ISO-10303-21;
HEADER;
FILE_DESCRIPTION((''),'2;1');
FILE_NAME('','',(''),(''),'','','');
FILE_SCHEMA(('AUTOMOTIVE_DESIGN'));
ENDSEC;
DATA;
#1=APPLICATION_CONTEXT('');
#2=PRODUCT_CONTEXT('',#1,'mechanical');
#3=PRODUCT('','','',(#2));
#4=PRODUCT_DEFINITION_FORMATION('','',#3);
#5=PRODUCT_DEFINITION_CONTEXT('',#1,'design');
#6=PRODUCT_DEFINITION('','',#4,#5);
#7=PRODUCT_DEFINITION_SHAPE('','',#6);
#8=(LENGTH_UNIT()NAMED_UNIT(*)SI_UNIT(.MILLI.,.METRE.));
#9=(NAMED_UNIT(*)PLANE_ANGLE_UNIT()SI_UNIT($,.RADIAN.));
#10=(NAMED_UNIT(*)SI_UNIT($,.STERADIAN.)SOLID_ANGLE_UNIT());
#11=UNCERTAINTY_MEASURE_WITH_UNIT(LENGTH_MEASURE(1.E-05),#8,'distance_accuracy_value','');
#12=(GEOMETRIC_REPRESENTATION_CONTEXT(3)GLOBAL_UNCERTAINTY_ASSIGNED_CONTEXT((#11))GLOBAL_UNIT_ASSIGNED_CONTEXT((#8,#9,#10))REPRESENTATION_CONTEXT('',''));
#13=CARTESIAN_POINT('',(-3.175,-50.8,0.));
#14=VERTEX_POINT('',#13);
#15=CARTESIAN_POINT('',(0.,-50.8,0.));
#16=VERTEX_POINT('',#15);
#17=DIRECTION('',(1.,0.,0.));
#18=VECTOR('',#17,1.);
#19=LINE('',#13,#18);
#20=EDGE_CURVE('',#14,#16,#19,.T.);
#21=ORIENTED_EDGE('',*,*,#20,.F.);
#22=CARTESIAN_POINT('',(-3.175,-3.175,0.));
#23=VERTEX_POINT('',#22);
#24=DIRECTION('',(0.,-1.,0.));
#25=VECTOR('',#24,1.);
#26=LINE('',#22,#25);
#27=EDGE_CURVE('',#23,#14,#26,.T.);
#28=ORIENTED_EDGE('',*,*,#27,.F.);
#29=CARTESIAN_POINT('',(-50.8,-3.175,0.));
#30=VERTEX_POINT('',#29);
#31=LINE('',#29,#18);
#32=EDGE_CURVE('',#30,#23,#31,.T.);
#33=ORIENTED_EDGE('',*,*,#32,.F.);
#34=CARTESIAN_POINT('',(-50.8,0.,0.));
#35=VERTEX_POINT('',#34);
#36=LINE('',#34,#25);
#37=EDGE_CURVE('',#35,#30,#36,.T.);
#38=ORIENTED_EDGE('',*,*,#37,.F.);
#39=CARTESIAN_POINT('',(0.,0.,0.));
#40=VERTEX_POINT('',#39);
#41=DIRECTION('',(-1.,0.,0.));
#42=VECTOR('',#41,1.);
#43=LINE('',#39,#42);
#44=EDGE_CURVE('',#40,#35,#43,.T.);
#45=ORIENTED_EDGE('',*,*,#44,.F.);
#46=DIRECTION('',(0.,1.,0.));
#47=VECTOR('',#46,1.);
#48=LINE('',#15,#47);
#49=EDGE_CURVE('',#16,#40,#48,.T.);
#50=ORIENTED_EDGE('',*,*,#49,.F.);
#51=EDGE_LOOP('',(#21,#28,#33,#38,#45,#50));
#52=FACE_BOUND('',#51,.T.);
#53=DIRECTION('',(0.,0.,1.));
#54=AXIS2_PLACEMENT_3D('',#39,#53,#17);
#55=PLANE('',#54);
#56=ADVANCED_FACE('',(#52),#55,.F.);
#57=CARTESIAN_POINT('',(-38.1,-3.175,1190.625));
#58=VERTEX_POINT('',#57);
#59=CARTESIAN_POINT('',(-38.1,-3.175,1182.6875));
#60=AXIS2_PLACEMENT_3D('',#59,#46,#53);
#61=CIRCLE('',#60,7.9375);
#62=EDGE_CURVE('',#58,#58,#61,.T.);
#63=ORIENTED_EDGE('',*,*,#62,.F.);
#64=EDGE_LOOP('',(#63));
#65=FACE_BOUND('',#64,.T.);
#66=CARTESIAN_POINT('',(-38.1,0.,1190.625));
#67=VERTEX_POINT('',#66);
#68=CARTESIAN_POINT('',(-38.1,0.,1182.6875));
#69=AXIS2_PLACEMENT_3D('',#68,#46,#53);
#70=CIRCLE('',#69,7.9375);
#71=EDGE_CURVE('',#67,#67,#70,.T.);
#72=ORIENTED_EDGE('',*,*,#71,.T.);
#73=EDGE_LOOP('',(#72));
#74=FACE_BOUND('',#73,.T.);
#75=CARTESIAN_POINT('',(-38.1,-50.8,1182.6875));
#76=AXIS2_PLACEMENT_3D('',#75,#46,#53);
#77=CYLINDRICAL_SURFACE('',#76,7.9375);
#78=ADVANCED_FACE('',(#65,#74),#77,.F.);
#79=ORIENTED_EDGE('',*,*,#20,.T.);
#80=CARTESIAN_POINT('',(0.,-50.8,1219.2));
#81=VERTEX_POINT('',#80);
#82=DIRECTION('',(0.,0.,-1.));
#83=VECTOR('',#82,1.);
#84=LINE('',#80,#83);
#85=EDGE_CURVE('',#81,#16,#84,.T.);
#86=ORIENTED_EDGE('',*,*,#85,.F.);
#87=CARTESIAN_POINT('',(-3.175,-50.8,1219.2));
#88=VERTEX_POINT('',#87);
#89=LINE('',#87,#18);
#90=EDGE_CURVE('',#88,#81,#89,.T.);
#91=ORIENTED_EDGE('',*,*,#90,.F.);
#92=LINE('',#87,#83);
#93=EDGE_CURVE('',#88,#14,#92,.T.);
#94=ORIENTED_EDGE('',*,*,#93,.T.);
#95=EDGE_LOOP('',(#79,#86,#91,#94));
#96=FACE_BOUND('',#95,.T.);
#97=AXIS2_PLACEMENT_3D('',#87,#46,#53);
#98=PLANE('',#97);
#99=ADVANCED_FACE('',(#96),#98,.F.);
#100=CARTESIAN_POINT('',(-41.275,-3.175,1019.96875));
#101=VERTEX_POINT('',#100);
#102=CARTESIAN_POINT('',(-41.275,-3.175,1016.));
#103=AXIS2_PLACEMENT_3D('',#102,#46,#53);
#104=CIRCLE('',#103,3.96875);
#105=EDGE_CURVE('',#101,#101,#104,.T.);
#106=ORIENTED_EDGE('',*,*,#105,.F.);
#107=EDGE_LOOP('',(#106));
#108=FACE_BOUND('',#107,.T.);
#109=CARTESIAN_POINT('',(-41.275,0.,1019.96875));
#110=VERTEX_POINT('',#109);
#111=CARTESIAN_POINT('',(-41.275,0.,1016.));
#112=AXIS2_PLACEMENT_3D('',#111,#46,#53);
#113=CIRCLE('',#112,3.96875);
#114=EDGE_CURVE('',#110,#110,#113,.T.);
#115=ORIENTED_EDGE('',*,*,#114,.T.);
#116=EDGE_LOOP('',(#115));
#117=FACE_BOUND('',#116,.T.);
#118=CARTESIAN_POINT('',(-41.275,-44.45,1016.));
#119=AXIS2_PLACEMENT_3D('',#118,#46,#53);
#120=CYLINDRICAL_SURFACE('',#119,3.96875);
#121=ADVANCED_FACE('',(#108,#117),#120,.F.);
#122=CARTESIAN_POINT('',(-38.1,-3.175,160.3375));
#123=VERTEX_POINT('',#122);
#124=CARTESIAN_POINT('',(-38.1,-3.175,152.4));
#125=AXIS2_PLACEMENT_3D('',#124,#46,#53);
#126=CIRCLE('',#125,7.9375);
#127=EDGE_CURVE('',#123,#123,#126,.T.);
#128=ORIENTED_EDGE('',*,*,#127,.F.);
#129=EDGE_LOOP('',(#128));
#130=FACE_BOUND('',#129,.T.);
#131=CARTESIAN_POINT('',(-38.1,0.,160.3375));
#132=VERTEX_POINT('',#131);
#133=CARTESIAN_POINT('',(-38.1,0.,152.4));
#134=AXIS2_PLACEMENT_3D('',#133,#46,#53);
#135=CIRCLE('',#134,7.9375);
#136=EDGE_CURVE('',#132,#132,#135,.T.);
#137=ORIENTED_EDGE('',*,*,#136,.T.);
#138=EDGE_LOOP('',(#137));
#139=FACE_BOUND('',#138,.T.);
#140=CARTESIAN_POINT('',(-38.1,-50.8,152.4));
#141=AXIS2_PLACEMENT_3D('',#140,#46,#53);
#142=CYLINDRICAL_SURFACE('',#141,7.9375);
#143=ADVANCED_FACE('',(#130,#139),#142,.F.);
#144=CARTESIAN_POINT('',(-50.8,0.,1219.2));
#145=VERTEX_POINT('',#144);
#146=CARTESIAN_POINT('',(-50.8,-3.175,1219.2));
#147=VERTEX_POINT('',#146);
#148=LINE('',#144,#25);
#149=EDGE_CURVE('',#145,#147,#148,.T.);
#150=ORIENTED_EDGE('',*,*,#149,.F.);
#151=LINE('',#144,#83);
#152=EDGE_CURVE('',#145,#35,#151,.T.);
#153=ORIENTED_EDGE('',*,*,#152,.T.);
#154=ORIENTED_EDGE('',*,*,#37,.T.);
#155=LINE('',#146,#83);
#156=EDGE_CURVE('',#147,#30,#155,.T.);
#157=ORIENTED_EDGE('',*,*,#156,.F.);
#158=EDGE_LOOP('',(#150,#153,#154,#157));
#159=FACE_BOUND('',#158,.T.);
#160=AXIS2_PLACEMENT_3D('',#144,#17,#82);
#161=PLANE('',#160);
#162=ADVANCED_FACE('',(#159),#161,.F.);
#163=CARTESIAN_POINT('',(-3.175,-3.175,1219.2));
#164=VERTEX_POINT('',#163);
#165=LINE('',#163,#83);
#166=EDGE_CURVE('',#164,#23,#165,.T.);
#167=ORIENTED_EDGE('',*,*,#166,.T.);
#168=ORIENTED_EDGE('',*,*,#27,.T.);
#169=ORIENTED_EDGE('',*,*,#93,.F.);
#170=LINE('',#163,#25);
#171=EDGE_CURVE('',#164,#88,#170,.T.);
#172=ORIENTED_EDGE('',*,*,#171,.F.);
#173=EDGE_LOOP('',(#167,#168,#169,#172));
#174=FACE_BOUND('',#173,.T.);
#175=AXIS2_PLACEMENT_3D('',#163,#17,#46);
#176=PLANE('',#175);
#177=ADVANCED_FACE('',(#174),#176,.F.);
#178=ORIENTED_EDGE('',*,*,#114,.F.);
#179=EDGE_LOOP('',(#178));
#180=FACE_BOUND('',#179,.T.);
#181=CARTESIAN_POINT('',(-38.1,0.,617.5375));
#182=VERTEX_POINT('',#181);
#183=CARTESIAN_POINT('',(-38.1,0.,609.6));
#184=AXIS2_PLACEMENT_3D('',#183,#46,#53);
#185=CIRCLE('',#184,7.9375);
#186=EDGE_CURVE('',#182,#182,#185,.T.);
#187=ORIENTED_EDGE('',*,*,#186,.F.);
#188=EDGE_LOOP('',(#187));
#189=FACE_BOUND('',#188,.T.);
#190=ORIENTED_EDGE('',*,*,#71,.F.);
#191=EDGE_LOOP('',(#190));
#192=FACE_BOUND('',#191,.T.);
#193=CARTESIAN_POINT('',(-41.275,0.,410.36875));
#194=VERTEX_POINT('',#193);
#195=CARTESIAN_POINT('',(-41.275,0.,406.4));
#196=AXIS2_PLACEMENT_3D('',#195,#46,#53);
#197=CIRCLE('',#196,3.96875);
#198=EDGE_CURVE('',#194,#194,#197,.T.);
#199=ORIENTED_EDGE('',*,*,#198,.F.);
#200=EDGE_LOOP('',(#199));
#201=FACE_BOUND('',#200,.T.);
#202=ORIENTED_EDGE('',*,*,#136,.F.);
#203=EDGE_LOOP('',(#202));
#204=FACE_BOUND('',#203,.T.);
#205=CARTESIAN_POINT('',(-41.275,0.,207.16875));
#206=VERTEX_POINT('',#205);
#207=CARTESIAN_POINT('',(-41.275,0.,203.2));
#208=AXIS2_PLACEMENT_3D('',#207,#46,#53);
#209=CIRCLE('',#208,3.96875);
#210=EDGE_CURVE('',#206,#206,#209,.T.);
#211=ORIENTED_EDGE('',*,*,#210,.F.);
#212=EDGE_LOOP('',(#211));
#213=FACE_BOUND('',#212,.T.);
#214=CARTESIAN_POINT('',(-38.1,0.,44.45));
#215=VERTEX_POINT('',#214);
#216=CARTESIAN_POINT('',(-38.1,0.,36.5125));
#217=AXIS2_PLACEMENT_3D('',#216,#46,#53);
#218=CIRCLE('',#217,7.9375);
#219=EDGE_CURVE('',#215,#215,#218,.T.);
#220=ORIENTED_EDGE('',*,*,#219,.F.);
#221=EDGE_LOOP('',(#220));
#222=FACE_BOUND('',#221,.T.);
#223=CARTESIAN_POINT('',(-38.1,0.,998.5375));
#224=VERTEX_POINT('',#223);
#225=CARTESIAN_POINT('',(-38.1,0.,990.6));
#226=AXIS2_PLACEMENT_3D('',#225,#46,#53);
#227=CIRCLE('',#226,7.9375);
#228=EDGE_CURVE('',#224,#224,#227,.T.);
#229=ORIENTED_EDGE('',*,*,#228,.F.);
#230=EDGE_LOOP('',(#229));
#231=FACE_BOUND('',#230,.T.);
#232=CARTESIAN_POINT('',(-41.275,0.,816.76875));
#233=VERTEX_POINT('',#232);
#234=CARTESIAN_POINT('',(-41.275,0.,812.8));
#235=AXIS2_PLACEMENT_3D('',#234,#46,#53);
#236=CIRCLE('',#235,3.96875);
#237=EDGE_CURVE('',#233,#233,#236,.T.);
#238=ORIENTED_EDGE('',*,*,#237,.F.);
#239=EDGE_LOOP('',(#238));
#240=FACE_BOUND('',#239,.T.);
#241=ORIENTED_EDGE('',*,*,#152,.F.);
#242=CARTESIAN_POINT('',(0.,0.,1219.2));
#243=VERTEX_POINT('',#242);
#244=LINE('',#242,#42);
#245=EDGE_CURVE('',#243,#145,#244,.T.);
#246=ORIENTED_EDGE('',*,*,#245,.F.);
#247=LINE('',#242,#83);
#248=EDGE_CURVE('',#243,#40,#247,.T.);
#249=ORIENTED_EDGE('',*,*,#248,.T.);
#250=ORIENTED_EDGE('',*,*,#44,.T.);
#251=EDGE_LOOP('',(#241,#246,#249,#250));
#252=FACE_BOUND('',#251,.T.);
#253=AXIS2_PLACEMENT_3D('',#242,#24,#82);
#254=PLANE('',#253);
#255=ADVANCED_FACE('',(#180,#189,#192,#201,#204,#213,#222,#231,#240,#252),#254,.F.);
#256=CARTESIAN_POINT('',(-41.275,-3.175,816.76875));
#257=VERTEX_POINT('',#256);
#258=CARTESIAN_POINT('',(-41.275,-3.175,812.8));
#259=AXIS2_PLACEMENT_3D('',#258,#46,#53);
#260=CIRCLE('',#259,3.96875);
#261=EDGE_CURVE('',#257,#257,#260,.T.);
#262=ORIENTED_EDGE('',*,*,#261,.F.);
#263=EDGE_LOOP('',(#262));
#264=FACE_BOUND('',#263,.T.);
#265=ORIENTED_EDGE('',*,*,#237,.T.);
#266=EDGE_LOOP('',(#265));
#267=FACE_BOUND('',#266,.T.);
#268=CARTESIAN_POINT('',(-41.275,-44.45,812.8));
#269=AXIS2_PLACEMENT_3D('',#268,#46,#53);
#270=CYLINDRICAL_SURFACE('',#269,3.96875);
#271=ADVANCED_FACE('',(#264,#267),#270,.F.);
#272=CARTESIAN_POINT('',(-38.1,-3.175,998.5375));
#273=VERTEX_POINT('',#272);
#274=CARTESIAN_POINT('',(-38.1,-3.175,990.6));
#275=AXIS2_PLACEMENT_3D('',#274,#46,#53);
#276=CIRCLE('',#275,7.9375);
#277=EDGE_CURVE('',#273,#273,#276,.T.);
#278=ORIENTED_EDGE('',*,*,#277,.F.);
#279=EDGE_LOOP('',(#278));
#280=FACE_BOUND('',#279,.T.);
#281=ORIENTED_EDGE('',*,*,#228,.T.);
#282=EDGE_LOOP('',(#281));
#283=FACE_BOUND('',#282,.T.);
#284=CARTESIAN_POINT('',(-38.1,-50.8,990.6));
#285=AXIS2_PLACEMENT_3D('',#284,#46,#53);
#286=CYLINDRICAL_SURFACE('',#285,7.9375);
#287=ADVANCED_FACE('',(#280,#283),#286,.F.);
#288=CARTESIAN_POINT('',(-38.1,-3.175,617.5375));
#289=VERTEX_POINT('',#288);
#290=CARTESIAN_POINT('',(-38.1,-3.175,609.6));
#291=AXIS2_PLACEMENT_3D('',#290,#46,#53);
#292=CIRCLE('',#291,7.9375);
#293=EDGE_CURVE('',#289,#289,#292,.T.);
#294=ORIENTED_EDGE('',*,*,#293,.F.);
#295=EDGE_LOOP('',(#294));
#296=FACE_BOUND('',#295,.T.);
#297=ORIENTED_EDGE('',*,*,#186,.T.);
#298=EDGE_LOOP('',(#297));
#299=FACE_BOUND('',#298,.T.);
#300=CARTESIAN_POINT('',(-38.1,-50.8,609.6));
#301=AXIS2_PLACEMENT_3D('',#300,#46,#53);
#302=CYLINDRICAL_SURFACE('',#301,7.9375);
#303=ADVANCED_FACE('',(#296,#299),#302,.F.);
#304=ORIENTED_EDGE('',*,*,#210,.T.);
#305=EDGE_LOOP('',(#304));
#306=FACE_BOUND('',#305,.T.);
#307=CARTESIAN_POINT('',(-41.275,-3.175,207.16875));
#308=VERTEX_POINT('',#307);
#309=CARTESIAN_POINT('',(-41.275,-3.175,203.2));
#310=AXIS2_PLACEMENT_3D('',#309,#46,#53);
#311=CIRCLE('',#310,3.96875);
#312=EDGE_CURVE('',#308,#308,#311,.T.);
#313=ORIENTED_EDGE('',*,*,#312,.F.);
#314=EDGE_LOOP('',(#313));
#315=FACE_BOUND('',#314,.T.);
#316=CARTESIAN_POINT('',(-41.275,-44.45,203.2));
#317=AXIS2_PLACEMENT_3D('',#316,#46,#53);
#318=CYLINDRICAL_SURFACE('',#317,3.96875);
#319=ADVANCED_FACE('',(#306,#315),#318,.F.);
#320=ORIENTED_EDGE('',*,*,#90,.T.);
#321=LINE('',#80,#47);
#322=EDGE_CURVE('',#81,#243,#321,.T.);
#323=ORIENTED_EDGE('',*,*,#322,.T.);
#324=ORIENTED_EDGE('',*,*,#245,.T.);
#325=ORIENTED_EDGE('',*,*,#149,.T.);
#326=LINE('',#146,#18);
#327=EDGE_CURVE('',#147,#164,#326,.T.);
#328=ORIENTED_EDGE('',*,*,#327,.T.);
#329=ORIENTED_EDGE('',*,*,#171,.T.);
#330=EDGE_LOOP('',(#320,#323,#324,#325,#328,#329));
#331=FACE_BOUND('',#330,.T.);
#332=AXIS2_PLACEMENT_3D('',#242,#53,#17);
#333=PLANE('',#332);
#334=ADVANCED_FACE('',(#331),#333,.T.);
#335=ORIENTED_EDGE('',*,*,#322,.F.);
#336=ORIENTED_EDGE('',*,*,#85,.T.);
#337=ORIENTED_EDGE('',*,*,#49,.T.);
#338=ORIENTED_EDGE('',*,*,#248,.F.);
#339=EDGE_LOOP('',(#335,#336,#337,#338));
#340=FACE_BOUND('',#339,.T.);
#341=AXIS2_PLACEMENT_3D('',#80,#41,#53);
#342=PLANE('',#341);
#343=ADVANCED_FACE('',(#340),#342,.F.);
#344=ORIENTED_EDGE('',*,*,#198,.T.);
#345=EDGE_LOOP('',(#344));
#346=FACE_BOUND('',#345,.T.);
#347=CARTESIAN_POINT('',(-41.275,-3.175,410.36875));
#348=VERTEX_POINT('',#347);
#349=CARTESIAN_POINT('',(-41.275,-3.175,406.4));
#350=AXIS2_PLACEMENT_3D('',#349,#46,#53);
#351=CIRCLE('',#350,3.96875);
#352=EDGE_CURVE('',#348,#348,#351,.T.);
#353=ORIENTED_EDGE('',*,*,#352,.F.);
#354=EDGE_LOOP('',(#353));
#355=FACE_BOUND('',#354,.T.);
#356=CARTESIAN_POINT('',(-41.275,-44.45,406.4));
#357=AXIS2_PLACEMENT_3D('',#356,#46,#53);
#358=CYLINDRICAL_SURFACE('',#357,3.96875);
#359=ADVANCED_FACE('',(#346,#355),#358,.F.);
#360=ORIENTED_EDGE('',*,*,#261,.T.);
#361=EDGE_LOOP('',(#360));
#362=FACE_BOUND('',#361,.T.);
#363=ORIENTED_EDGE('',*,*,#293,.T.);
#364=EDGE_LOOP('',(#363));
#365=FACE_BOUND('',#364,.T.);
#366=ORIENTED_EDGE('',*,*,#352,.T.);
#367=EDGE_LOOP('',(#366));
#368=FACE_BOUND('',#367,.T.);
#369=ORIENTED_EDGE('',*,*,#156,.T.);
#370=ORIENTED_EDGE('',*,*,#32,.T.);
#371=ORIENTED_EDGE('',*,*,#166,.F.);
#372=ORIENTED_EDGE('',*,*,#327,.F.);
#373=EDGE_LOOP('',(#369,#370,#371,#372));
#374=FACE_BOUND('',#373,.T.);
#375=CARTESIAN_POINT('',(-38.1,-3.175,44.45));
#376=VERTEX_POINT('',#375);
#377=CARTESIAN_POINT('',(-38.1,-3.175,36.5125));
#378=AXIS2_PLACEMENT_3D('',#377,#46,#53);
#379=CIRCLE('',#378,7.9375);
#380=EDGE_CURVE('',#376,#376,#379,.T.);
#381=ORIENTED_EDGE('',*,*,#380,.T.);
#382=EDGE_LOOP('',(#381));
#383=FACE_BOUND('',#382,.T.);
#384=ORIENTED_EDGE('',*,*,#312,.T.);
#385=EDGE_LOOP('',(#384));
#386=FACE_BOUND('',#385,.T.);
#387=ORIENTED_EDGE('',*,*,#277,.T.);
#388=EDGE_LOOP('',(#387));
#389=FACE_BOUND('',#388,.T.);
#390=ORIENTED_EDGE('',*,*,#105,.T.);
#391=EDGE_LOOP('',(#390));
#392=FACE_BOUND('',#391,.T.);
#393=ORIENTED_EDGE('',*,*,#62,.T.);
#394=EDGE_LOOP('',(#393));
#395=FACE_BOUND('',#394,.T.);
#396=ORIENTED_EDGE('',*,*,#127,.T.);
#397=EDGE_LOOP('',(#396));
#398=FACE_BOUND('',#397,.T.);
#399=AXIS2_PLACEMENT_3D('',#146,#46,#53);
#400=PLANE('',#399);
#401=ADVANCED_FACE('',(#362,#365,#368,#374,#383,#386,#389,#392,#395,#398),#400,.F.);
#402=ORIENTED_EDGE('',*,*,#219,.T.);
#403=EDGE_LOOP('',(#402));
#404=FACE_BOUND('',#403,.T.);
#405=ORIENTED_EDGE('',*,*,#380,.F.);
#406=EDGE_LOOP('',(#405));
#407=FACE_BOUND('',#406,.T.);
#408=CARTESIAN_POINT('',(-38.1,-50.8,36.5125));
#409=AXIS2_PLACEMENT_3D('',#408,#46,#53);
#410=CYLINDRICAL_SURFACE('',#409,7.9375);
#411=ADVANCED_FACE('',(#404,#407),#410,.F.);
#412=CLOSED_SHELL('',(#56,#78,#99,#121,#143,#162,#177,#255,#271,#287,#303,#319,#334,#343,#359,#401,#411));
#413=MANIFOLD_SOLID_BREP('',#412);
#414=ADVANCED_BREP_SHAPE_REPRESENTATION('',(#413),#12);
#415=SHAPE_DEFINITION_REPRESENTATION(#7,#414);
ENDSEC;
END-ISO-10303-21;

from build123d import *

# Parameters (mm, degrees)
BOSS_EXTRUDE1_DEPTH = 1219.2
SKETCH2_R           = 7.9375
CUT_EXTRUDE1_DEPTH  = 51.8
SKETCH4_R           = 3.96875
CUT_EXTRUDE3_DEPTH  = 44.45
LPATTERN1_COUNT     = 5
LPATTERN1_PITCH     = 203.2


with BuildPart() as part:
    # Sketch1 → Boss-Extrude1 (new body)
    with BuildSketch(Plane.XY):
        Polygon((0, 0), (-50.8, 0), (-50.8, -3.175), (-3.175, -3.175), (-3.175, -50.8), (0, -50.8), align=None)
    extrude(amount=BOSS_EXTRUDE1_DEPTH)

    # Sketch2 → Cut-Extrude1 (cut, through all)
    with BuildSketch(Plane(origin=(0, 0, 0), x_dir=(1, 0, 0), z_dir=(0, 1, 0))):
        with Locations((-38.1, -36.5125)):
            Circle(SKETCH2_R)
        with Locations((-38.1, -1182.6875)):
            Circle(SKETCH2_R)
        with Locations((-38.1, -152.4)):
            Circle(SKETCH2_R)
        with Locations((-38.1, -609.6)):
            Circle(SKETCH2_R)
        with Locations((-38.1, -990.6)):
            Circle(SKETCH2_R)
    extrude(amount=-CUT_EXTRUDE1_DEPTH, mode=Mode.SUBTRACT)

    # Sketch4 → Cut-Extrude3 (cut)
    with BuildSketch(Plane(origin=(-2.029899632, 0, 893.163272881), x_dir=(1, 0, 0), z_dir=(0, 1, 0))):
        with Locations((-39.245100368, 689.963272881)):
            Circle(SKETCH4_R)
    cut_extrude3 = extrude(amount=-CUT_EXTRUDE3_DEPTH, mode=Mode.SUBTRACT)

    # LPattern1: Cut-Extrude3 ×5, 1 skipped
    with Locations(*[(0, 0, i * LPATTERN1_PITCH) for i in range(1, LPATTERN1_COUNT) if i not in (2,)]):
        add(cut_extrude3, mode=Mode.SUBTRACT)


solid = part.part
